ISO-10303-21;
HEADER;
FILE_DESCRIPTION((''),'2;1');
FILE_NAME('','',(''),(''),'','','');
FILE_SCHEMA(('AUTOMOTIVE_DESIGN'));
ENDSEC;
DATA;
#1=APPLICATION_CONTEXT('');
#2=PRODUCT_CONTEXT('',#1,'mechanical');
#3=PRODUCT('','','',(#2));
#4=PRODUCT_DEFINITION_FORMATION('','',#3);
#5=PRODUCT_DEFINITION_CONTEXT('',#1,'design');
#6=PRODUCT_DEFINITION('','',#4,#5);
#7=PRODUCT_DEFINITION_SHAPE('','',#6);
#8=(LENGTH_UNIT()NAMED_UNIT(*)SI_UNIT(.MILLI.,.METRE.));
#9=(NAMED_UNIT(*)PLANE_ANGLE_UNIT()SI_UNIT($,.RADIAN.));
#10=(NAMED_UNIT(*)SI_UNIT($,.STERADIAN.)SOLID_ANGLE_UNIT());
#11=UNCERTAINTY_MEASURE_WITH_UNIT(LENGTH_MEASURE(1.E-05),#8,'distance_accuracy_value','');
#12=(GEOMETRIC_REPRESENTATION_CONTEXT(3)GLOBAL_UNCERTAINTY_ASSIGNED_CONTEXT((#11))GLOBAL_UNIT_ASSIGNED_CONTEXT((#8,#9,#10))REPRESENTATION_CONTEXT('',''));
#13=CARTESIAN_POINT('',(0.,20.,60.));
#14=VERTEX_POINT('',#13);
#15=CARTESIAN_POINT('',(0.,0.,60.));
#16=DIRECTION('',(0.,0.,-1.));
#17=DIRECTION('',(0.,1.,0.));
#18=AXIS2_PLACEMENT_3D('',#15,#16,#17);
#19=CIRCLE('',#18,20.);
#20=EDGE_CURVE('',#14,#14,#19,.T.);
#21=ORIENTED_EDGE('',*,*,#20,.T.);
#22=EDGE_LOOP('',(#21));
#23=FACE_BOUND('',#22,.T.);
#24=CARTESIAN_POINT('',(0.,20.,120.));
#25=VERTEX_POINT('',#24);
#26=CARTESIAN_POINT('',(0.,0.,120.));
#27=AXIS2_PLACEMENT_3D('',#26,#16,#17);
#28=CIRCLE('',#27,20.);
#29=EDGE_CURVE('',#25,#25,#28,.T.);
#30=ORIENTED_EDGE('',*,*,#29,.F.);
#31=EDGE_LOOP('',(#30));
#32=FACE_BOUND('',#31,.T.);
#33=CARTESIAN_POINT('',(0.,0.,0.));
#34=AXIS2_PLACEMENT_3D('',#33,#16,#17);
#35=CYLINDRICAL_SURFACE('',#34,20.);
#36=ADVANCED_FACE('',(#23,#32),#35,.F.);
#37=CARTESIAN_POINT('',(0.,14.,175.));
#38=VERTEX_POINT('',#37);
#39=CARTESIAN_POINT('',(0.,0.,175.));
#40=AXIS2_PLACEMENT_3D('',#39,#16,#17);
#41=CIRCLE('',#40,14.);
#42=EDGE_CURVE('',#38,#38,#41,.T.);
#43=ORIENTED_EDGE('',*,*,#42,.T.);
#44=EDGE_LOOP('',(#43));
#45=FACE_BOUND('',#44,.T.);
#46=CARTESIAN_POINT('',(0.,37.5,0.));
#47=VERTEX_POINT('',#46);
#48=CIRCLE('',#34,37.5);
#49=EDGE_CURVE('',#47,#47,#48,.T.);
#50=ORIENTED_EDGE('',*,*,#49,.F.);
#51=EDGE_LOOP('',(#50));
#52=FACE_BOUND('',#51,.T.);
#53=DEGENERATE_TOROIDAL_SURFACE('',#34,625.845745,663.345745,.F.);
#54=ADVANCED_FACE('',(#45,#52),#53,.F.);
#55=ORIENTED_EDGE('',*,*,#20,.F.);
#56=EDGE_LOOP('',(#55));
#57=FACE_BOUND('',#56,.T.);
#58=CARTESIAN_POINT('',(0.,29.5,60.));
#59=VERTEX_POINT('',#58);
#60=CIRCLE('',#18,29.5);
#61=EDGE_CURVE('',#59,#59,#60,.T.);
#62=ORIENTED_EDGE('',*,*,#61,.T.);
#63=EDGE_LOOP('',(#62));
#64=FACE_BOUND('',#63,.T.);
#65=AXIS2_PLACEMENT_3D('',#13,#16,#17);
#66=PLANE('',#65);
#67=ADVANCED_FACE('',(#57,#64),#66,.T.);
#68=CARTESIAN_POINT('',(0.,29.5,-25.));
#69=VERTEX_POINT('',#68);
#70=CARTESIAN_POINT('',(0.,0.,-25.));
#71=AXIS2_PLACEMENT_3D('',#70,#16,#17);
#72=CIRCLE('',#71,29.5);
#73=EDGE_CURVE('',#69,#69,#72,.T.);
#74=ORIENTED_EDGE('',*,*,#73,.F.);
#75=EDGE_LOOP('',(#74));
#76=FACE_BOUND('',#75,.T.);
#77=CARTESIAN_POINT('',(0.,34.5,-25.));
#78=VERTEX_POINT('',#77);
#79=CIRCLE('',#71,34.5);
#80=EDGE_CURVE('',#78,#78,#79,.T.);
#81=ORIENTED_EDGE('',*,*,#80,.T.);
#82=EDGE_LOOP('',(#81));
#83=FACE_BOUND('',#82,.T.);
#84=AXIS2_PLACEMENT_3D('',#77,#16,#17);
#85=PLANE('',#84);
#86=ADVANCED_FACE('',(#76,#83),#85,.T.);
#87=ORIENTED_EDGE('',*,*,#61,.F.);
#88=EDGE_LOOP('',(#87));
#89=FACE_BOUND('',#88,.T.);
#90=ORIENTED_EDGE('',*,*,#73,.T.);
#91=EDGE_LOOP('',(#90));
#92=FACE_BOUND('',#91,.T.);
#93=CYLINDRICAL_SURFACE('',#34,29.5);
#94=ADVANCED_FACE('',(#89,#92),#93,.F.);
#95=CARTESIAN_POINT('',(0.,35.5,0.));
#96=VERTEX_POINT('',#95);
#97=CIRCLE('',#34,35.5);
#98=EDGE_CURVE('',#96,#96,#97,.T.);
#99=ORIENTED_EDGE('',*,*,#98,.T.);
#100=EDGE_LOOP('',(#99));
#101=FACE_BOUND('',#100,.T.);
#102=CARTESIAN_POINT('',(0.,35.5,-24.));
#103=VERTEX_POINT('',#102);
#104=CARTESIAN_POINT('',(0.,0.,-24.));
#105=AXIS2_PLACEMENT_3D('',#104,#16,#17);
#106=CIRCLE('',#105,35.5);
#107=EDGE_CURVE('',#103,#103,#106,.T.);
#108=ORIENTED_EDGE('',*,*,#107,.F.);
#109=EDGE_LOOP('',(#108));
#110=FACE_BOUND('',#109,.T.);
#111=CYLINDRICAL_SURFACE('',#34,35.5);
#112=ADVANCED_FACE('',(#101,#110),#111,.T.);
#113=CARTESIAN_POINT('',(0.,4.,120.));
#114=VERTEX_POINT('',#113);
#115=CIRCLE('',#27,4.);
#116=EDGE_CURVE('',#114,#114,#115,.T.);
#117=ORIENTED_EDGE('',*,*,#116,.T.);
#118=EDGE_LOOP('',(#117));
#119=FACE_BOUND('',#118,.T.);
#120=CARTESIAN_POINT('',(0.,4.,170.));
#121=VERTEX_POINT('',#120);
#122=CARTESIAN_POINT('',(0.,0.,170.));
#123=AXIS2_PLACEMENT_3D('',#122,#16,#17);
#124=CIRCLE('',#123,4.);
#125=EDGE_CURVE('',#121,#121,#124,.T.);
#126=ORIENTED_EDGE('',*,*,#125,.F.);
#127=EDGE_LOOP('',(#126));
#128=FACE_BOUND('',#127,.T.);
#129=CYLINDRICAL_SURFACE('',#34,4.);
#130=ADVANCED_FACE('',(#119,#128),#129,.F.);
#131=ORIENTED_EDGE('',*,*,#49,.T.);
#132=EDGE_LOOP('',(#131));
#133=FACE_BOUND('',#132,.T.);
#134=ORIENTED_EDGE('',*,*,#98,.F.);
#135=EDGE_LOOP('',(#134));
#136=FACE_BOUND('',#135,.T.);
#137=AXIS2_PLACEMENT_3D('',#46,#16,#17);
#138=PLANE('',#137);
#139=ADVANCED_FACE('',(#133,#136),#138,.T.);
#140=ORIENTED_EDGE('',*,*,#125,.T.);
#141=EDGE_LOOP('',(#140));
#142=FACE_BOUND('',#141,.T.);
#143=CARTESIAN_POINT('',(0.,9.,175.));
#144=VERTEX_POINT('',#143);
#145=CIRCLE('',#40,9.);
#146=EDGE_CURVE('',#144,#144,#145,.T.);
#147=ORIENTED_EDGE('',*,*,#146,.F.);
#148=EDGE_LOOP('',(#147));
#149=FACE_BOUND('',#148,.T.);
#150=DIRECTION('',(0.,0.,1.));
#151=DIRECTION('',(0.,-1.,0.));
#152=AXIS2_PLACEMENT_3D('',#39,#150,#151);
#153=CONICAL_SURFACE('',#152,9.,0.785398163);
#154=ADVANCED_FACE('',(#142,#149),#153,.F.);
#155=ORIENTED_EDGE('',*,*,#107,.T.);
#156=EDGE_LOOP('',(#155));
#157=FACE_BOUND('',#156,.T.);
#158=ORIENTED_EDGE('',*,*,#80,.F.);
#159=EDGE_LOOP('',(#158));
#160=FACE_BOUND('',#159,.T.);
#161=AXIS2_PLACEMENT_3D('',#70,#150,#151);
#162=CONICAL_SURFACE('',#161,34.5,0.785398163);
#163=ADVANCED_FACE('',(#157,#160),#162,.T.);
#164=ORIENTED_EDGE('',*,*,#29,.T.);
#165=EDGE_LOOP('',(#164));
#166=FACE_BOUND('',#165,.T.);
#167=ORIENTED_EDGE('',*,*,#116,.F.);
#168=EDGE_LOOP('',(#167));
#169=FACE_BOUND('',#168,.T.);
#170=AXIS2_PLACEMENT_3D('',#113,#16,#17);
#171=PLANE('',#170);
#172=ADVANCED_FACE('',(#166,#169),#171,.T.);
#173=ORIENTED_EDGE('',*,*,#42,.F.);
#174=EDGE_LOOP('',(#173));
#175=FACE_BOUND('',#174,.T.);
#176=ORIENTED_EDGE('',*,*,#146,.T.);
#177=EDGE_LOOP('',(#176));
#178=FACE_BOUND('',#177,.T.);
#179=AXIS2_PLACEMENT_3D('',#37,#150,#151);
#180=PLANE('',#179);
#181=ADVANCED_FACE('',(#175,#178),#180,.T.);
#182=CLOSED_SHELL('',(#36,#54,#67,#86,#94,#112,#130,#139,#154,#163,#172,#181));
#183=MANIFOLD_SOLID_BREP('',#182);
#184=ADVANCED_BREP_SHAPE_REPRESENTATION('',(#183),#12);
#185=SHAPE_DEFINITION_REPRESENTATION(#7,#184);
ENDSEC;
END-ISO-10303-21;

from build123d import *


with BuildPart() as part:
    # Sketch1 → Revolve1 (revolve)
    with BuildSketch(Plane(origin=(0, 0, 0), x_dir=(0, 0, -1), z_dir=(1, 0, 0))):
        with BuildLine():
            Line((-175, 14), (-175, 9))
            Line((-175, 9), (-170, 4))
            Line((-170, 4), (-120, 4))
            Line((-120, 4), (-120, 20))
            Line((-120, 20), (-60, 20))
            Line((-60, 20), (-60, 29.5))
            Line((-60, 29.5), (25, 29.5))
            Line((25, 29.5), (25, 34.5))
            Line((25, 34.5), (24, 35.5))
            Line((24, 35.5), (0, 35.5))
            Line((0, 35.5), (0, 37.5))
            ThreePointArc((0, 37.5), (-88.285403663, 31.598750684), (-175, 14))
        make_face()
    revolve(axis=Axis((0, 0, 0), (0, 0, 1)))


solid = part.part
